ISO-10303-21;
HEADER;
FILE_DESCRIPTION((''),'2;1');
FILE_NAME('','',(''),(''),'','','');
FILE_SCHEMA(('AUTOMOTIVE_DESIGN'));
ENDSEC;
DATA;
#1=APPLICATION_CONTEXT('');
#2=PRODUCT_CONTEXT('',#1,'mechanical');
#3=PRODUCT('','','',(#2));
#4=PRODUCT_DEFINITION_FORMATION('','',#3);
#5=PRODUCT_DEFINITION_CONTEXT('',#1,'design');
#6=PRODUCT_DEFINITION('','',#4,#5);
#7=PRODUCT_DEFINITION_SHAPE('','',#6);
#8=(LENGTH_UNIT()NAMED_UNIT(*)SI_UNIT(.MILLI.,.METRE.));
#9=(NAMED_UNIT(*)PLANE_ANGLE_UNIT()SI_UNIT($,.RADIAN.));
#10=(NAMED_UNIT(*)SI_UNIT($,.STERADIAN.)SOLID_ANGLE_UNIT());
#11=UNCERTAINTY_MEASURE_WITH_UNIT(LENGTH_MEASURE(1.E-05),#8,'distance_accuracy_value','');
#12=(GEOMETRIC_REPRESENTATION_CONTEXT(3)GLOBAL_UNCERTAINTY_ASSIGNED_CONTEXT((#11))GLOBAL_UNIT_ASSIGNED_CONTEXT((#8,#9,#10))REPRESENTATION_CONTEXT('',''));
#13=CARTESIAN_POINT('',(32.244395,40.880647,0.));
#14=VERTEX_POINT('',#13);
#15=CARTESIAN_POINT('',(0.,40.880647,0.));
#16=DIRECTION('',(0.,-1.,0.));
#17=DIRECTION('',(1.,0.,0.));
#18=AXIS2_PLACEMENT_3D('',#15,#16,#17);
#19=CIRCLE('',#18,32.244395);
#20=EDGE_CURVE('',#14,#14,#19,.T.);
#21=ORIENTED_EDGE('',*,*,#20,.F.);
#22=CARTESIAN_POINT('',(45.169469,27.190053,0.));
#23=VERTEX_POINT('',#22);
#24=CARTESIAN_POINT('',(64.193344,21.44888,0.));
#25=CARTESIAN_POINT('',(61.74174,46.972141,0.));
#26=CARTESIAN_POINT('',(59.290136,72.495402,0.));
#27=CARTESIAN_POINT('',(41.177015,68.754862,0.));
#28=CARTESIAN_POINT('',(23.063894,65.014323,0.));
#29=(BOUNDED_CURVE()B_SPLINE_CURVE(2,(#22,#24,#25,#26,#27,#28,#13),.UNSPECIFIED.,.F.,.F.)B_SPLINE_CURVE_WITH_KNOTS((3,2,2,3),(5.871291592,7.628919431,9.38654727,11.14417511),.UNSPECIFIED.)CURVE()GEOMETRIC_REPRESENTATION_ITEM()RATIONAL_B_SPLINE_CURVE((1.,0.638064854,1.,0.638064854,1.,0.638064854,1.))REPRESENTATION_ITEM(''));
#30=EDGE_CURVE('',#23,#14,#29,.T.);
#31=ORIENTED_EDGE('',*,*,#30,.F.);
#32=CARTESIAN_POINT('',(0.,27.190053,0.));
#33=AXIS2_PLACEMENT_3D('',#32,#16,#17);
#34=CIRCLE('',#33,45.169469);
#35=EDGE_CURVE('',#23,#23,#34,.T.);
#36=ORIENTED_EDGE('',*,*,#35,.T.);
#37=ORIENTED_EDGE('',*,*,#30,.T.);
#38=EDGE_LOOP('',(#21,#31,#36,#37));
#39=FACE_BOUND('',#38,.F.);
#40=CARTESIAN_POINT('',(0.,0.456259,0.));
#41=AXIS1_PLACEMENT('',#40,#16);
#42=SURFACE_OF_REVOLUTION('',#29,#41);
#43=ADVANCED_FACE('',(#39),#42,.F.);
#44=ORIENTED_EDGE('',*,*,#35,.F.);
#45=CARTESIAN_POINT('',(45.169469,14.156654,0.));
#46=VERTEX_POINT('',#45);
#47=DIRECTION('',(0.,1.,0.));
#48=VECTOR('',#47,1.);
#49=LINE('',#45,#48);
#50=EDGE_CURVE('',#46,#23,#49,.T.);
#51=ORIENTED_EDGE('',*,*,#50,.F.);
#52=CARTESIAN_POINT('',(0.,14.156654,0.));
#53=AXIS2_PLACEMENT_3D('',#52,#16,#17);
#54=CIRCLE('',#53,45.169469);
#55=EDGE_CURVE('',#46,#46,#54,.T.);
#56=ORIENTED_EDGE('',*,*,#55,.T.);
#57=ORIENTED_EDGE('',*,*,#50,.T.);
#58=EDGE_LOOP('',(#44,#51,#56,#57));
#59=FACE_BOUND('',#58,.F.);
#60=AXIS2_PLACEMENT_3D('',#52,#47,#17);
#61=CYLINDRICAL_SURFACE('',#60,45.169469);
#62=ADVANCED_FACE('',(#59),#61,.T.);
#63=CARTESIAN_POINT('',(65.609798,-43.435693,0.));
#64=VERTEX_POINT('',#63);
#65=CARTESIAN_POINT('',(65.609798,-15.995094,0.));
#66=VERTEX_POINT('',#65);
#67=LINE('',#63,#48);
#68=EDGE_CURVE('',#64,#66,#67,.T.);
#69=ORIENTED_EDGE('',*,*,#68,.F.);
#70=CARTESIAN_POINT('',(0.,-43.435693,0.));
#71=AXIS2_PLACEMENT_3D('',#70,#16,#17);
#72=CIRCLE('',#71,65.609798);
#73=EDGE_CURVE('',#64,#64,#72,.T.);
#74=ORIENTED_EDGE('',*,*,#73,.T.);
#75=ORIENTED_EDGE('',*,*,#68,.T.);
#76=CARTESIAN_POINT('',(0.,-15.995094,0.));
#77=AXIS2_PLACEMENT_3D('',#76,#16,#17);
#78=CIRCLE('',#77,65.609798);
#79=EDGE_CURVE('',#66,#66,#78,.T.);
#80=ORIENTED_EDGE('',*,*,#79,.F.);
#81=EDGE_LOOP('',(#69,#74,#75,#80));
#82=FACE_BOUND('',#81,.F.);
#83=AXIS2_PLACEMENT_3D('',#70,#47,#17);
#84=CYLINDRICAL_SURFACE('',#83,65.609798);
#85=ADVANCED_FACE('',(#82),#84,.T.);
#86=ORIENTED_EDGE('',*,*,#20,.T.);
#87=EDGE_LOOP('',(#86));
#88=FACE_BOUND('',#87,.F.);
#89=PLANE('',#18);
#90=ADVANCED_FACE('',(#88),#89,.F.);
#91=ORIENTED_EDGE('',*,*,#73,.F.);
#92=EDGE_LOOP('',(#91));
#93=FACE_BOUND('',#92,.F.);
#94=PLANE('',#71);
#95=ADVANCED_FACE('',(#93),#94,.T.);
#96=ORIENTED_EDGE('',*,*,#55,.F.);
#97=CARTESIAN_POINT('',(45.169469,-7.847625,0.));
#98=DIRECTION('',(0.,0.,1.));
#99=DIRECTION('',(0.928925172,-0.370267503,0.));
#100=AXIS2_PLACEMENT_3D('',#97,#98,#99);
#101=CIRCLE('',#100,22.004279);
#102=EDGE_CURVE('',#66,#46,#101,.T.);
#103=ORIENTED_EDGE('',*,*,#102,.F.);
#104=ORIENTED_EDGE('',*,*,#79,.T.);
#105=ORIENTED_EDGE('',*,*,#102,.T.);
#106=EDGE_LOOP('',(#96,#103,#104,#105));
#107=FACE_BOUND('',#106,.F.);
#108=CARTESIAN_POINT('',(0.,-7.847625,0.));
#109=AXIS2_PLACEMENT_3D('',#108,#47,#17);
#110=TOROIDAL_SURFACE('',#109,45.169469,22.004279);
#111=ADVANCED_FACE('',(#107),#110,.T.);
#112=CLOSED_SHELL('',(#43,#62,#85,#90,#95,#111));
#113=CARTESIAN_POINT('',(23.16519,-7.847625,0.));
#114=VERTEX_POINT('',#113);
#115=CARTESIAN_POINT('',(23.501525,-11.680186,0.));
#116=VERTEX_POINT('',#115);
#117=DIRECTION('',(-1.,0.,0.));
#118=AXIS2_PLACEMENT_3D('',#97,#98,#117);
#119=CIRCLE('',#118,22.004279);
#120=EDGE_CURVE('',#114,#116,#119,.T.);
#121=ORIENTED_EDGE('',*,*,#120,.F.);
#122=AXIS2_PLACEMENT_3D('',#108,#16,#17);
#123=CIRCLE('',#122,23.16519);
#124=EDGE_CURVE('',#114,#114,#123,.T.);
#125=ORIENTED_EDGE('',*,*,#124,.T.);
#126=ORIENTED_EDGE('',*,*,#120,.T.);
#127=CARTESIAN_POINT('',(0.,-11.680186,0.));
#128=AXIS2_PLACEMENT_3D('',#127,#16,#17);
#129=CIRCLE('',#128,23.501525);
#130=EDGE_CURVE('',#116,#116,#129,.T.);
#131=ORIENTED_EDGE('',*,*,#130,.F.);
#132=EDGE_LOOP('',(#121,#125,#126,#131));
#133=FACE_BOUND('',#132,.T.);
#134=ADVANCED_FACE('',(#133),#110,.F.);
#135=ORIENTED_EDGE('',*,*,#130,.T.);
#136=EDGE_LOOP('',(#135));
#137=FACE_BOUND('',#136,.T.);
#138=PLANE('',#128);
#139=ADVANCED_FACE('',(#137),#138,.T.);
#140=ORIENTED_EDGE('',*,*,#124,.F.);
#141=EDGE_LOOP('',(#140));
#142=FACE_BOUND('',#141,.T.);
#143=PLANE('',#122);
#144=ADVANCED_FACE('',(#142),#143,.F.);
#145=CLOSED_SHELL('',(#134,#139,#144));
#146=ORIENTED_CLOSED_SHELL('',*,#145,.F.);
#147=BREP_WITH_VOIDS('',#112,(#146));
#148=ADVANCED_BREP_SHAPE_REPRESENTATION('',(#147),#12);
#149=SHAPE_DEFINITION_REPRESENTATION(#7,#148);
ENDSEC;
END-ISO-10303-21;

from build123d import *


with BuildPart() as f1:
    # F0 (on Top) → F1 (revolve)
    with BuildSketch(Plane.XY):
        with BuildLine():
            Line((32.2443948891, 40.8806465566), (0, 40.8806465566))
            Line((0, 40.8806465566), (0, -7.8476248309))
            Line((0, -7.8476248309), (23.1651897523, -7.8476248309))
            ThreePointArc((23.1651897523, -7.8476248309), (23.2494349236, -9.7712701453), (23.5015253586, -11.6801857948))
            Line((23.5015253586, -11.6801857948), (0, -11.6801857948))
            Line((0, -11.6801857948), (0, -43.4356927872))
            Line((0, -43.4356927872), (65.6097978354, -43.4356927872))
            Line((65.6097978354, -43.4356927872), (65.6097978354, -15.9950943577))
            ThreePointArc((65.6097978354, -15.9950943577), (63.3830284541, 4.4996240423), (45.1694689691, 14.1566543859))
            Line((45.1694689691, 14.1566543859), (45.1694689691, 27.1900529973))
            add(Edge.make_bspline(
                [(45.1694689691, 27.1900529973), (64.1933435471, 21.4488804325), (61.7417399221, 46.9721411104), (59.2901362971, 72.4954017883), (41.1770152264, 68.7548624879), (23.0638941557, 65.0143231875), (32.2443948891, 40.8806465566)],
                knots=[5.8712915917, 5.8712915917, 5.8712915917, 7.6289194311, 7.6289194311, 9.3865472704, 9.3865472704, 11.1441751097, 11.1441751097, 11.1441751097], degree=2, weights=[1, 0.638064854, 1, 0.638064854, 1, 0.638064854, 1]))
        make_face()
    revolve(axis=Axis((0, 0.4562586546, 0), (0, -1, 0)))


solid = f1.part
